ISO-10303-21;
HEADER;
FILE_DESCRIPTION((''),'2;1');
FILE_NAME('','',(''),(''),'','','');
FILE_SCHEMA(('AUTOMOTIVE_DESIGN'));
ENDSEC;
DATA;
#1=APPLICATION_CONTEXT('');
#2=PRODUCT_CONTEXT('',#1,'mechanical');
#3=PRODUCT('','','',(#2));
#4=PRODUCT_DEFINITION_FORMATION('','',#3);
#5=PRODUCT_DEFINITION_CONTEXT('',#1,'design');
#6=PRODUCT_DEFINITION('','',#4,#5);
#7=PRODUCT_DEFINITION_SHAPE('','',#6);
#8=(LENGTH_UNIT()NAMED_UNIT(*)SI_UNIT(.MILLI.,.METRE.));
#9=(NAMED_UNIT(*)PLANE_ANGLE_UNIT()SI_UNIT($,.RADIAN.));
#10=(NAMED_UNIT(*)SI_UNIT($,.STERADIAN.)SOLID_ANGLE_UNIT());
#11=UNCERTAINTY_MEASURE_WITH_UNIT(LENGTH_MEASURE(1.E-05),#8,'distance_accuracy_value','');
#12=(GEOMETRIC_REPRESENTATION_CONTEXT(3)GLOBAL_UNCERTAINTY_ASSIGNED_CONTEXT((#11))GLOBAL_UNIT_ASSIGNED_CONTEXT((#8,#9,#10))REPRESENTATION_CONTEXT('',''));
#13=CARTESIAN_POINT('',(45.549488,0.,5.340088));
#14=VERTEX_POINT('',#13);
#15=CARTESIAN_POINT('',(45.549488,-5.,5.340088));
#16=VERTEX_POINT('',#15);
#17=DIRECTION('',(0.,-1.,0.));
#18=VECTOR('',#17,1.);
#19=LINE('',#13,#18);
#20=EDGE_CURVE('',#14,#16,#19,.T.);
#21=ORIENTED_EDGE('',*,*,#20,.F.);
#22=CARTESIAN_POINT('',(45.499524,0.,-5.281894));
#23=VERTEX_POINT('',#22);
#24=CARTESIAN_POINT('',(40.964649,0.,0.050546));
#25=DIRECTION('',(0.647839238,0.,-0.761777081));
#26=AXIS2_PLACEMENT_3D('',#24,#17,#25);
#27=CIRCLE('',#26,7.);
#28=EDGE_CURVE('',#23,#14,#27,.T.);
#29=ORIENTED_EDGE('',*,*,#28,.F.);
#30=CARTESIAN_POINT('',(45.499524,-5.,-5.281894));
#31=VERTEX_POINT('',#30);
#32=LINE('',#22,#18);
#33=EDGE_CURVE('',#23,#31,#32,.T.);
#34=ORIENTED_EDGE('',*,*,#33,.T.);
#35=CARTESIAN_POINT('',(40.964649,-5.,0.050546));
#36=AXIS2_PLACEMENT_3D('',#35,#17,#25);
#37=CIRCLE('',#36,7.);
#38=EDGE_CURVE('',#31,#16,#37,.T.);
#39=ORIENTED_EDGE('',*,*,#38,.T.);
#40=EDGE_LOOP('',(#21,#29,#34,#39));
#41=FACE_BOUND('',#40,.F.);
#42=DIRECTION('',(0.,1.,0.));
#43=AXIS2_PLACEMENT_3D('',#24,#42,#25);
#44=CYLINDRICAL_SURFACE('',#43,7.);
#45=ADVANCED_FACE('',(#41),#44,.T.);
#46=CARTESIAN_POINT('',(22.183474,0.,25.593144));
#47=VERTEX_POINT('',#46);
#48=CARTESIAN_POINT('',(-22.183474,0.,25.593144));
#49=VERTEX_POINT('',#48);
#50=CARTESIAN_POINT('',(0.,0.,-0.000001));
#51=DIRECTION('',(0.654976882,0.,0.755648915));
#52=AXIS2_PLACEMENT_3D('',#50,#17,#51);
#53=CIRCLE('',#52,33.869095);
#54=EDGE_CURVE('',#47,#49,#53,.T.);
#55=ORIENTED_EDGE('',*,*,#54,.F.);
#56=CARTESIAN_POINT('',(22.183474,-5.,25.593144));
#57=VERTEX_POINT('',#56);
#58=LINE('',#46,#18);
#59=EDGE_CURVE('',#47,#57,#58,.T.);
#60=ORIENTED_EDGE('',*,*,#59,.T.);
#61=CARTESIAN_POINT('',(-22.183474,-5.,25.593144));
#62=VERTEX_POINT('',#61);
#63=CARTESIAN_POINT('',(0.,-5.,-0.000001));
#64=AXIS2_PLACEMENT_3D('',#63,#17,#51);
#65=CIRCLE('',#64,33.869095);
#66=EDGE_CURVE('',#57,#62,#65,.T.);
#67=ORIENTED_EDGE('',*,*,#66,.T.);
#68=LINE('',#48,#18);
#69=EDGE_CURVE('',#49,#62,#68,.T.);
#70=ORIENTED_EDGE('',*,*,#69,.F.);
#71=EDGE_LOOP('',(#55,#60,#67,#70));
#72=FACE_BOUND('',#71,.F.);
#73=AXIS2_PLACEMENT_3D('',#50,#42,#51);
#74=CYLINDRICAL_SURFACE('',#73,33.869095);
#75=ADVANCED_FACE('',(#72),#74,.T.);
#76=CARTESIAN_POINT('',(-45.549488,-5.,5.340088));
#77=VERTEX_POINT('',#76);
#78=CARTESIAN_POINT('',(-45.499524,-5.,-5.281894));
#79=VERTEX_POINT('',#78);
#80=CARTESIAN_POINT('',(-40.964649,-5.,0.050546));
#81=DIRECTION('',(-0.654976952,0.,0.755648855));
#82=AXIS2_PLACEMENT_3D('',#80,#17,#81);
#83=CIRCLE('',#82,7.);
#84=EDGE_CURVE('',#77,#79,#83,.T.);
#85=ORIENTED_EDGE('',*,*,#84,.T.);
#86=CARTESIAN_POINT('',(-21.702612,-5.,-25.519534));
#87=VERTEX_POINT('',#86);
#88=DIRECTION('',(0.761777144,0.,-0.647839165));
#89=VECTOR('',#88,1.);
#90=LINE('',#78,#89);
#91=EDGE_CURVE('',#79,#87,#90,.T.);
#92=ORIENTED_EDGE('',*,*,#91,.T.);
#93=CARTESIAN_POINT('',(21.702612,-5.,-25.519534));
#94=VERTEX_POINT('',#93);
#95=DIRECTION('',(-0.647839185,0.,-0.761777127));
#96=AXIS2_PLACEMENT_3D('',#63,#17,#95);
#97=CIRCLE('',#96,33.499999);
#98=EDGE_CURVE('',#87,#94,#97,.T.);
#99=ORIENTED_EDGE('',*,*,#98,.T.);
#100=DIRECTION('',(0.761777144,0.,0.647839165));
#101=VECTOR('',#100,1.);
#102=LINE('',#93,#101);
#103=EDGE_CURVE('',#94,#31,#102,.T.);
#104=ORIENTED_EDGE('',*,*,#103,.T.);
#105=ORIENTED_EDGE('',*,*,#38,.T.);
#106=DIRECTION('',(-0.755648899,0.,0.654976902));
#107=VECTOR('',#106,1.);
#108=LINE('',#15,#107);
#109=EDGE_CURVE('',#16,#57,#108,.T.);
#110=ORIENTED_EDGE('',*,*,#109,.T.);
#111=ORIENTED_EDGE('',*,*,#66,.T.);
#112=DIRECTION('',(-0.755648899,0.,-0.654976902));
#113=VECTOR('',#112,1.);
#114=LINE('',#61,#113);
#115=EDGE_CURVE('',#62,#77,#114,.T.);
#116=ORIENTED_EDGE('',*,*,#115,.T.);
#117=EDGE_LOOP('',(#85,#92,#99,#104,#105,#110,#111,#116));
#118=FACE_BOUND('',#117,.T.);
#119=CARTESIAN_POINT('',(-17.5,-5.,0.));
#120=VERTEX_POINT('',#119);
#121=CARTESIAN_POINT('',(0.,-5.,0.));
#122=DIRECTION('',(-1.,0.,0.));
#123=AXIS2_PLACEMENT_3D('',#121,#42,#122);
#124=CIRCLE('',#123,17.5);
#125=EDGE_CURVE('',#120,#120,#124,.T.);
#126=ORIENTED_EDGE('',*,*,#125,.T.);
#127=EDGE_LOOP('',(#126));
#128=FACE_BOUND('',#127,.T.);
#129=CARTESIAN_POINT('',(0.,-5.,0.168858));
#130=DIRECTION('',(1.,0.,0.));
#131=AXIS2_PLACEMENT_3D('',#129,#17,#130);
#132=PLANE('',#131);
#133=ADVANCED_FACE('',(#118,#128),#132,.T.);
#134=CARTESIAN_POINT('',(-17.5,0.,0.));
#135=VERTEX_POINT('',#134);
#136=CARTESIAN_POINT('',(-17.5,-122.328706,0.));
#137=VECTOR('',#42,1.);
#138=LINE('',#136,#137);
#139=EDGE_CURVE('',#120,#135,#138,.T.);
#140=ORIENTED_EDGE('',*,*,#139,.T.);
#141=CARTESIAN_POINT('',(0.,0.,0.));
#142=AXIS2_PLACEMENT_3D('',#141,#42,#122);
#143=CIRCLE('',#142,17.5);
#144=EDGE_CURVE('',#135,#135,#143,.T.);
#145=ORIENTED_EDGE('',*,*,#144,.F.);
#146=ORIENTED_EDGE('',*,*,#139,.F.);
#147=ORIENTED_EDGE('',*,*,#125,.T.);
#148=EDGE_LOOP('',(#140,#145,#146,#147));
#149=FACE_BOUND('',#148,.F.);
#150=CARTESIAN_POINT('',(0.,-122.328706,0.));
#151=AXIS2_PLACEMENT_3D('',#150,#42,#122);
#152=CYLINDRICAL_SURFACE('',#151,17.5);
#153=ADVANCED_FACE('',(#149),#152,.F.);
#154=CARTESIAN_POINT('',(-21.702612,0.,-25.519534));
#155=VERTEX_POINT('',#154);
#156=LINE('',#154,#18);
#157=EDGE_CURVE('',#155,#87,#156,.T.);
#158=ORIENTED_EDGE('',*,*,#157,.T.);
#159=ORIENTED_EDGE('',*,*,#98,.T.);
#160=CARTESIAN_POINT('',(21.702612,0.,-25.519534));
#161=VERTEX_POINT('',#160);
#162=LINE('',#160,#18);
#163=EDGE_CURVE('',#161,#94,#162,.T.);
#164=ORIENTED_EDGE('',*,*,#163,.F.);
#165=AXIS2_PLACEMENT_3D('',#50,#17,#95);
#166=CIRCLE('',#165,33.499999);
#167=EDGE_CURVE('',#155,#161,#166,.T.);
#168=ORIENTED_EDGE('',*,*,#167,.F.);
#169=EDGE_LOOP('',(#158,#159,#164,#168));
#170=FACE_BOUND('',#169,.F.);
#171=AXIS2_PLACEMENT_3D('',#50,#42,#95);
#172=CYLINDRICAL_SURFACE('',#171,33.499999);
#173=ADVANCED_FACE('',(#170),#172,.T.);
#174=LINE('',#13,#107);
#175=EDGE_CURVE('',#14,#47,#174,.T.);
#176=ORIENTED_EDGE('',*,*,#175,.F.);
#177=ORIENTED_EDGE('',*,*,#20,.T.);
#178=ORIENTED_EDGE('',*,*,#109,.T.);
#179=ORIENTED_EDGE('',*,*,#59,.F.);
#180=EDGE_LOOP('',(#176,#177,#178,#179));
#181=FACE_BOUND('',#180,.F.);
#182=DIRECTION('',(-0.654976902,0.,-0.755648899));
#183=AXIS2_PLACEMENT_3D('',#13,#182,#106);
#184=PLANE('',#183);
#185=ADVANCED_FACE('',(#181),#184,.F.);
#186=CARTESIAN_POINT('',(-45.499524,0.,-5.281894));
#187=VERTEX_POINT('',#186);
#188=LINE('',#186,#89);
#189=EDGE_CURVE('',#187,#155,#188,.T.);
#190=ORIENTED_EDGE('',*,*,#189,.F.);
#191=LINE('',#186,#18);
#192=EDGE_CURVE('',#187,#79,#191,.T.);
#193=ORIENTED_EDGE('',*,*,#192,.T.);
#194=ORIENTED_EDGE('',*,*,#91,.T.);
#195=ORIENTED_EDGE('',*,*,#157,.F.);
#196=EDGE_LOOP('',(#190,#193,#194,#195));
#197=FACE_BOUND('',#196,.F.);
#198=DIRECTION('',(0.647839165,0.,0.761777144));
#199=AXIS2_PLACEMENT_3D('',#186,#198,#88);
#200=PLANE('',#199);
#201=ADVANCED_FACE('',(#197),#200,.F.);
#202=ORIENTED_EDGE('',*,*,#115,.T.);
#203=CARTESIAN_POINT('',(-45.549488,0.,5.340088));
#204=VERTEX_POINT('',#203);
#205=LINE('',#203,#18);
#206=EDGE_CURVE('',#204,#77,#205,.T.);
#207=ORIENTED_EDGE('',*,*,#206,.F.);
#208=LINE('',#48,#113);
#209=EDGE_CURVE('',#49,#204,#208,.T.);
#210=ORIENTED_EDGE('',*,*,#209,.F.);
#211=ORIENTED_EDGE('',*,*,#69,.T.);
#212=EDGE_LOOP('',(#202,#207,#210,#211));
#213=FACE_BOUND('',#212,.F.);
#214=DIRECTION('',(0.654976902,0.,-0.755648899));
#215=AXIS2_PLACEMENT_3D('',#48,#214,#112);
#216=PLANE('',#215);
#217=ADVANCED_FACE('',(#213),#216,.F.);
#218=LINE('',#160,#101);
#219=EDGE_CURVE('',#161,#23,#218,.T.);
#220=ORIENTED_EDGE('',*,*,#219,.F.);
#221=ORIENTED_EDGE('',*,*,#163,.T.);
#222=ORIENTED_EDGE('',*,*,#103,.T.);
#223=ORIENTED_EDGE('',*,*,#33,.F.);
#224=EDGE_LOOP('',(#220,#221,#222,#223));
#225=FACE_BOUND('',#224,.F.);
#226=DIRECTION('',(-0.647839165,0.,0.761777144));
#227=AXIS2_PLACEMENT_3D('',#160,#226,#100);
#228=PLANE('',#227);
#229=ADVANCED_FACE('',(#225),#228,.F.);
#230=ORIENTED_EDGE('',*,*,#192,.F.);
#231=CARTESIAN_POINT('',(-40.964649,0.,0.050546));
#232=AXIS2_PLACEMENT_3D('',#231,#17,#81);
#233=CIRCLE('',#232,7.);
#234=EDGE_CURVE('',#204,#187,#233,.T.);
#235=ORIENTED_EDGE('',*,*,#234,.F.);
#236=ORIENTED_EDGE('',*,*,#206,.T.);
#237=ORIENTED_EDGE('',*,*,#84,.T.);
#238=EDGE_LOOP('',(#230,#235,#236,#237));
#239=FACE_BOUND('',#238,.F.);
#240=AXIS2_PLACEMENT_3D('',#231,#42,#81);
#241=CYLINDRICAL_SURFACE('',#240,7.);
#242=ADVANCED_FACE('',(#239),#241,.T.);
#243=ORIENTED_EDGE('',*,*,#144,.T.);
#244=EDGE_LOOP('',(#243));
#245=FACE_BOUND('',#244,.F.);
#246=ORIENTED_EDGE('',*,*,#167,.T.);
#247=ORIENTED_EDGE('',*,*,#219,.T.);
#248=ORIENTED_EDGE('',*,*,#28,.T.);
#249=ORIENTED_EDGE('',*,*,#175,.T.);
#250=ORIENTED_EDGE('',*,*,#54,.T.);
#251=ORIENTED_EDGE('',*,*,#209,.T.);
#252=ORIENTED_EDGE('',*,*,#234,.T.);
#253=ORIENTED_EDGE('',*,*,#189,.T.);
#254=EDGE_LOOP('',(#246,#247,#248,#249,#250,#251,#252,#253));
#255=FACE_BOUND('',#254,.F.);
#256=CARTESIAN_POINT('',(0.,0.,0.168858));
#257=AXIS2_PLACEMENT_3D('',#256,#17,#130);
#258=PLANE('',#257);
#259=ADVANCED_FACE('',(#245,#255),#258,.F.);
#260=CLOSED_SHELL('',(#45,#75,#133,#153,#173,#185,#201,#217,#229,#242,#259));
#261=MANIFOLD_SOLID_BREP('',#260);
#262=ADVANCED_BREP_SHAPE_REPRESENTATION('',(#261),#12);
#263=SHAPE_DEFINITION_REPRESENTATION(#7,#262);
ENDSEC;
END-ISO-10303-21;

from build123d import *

# Parameters (mm, degrees)
F1_DEPTH = 5
F3_D     = 35


with BuildPart() as f1:
    # F0 (on Front) → F1 (new body)
    with BuildSketch(Plane.XZ):
        with BuildLine():
            Line((-22.183474, 25.593144), (-45.549488, 5.340088))
            ThreePointArc((-45.549488, 5.340088), (-47.964572, 0.01762), (-45.499524, -5.281894))
            Line((-45.499524, -5.281894), (-21.702612, -25.519534))
            ThreePointArc((-21.702612, -25.519534), (0, -33.5), (21.702612, -25.519534))
            Line((21.702612, -25.519534), (45.499524, -5.281894))
            ThreePointArc((45.499524, -5.281894), (47.964572, 0.01762), (45.549488, 5.340088))
            Line((45.549488, 5.340088), (22.183474, 25.593144))
            ThreePointArc((22.183474, 25.593144), (0, 33.869094), (-22.183474, 25.593144))
        make_face()
    extrude(amount=F1_DEPTH)

    # F3 (through all)
    with Locations(Plane.XZ.offset(5)):
        with Locations((0, 0)):
            Hole(F3_D / 2)


solid = f1.part
